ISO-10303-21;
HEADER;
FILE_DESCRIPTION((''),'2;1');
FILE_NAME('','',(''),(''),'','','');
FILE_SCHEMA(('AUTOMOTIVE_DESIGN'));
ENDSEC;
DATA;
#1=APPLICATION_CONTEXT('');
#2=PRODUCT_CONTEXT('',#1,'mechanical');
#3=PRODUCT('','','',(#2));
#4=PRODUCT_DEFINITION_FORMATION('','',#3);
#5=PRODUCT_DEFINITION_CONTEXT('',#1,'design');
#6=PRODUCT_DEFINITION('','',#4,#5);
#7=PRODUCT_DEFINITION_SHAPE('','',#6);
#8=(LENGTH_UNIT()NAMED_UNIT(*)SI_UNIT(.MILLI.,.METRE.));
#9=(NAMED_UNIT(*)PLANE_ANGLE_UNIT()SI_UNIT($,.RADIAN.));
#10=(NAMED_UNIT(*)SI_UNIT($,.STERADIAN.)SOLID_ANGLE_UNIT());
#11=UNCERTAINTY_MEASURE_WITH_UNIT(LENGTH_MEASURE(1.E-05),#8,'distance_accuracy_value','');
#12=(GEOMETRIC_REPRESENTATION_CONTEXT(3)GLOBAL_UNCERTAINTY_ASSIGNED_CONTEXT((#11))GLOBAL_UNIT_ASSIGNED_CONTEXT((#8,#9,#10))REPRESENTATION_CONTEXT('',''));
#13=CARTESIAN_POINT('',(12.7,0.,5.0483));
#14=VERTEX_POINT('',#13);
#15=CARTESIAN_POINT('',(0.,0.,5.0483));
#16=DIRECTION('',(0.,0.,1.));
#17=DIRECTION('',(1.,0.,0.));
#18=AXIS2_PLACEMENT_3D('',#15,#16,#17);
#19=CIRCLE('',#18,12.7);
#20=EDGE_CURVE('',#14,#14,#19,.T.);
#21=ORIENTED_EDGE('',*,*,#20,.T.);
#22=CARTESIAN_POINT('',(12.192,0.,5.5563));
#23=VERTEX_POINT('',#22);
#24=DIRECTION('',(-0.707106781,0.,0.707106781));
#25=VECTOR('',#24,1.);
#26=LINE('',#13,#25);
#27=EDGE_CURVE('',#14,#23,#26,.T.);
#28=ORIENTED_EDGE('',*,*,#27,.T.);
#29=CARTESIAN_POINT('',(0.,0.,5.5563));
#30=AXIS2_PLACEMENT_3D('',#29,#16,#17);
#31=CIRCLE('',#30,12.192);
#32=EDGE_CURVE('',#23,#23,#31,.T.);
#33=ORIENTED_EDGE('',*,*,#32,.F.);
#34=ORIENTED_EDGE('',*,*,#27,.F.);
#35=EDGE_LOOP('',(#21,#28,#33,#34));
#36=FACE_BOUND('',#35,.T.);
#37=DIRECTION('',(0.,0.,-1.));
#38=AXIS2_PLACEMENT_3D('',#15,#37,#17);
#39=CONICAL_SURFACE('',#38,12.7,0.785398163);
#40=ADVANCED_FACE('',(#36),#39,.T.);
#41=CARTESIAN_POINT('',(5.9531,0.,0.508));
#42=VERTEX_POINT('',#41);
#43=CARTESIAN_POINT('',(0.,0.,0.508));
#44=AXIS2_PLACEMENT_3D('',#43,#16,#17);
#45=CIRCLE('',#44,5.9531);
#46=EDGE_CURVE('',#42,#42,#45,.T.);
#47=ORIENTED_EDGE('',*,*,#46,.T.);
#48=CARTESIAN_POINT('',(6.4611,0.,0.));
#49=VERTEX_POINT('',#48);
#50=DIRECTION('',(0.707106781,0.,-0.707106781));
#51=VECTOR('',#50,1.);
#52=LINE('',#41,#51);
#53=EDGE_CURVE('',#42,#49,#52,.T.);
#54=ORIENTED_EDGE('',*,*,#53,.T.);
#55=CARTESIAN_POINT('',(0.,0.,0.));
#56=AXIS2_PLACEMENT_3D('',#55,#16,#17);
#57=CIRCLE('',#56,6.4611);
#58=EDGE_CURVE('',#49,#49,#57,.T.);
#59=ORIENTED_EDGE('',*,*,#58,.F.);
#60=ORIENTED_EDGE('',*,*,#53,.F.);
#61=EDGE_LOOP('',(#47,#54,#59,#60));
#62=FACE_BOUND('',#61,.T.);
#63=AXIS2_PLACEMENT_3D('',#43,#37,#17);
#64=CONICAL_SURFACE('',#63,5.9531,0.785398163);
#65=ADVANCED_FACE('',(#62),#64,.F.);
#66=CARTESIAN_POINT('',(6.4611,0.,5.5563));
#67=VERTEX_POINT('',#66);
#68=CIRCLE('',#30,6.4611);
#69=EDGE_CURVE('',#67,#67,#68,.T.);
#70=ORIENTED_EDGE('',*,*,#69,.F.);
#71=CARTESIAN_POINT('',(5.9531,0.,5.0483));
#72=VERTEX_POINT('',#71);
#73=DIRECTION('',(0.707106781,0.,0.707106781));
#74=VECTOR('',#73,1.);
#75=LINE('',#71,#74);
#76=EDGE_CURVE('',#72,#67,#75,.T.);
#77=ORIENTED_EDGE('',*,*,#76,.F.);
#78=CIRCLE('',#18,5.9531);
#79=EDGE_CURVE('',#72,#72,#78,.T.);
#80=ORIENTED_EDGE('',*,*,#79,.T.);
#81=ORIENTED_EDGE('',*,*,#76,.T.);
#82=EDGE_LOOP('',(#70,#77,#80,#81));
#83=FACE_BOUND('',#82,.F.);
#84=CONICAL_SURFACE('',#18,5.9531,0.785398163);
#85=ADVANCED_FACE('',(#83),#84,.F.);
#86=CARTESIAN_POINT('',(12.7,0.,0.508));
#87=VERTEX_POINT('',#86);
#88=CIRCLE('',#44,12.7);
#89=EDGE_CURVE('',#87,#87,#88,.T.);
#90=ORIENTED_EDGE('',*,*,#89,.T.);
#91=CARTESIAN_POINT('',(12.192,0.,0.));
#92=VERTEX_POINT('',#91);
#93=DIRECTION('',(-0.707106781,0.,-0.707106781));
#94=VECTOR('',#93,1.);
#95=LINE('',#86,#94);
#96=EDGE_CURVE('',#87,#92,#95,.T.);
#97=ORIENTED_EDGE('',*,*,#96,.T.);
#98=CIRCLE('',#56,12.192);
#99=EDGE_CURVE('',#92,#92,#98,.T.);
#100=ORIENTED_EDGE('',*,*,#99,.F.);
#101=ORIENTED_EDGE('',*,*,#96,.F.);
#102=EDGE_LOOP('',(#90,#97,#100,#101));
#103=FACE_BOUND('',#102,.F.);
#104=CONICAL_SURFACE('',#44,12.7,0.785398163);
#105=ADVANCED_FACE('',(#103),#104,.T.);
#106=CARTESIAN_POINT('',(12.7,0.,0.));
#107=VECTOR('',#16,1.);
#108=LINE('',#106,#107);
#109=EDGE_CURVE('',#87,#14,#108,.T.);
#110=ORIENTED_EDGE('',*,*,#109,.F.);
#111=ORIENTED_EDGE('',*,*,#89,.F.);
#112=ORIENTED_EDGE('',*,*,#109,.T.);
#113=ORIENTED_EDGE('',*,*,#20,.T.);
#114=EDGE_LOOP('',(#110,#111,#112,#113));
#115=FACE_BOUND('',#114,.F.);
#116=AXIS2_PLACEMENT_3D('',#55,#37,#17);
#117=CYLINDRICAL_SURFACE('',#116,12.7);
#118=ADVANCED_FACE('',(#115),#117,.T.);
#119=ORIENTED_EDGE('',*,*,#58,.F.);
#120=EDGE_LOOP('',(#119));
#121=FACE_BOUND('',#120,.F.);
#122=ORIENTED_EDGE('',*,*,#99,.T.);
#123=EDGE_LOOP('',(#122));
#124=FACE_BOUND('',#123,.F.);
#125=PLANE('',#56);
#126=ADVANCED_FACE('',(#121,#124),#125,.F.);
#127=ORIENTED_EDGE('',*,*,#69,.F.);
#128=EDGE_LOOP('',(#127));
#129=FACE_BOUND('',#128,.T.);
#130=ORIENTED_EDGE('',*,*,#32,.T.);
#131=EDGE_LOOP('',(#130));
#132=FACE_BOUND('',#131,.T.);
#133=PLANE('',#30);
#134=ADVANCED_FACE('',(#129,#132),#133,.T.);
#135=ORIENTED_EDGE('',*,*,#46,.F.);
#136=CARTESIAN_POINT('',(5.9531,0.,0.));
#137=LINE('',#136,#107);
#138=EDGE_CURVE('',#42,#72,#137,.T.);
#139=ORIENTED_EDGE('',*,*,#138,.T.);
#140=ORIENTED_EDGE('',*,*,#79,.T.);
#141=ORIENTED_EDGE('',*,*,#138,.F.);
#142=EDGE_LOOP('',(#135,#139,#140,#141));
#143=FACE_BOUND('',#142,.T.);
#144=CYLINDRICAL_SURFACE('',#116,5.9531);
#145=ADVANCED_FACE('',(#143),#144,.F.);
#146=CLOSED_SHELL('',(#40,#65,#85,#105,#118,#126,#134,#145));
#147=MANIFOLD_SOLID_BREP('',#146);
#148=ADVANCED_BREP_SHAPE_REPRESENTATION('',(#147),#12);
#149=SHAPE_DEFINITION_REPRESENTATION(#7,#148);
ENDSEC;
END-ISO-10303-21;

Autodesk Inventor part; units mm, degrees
ref_plane "YZ Plane" through (0, 0, 0) normal (1, 0, 0) x (0, 1, 0)
ref_plane "XZ Plane" through (0, 0, 0) normal (0, 1, 0) x (-1, 0, 0)
ref_plane "XY Plane" through (0, 0, 0) normal (0, 0, 1) x (1, 0, 0)
sketch "Sketch1" plane through (0, 0, 0) normal (0, 0, 1) x (1, 0, 0)
  circle A0 centre (0, 0) radius 5.9531
  circle A1 centre (0, 0) radius 12.7
  dimension "d0" = 11.9062
  dimension "d1" = 25.4
extrude "Extrusion1" add sketch "Sketch1" along normal blind 5.5563
chamfer "Chamfer1" distance 0.508 angle 45 4 edges at (-12.7, 0, 5.5563) (-12.7, 0, 0) (-5.9531, 0, 5.5563) (-5.9531, 0, 0)
properties material "Steel"
